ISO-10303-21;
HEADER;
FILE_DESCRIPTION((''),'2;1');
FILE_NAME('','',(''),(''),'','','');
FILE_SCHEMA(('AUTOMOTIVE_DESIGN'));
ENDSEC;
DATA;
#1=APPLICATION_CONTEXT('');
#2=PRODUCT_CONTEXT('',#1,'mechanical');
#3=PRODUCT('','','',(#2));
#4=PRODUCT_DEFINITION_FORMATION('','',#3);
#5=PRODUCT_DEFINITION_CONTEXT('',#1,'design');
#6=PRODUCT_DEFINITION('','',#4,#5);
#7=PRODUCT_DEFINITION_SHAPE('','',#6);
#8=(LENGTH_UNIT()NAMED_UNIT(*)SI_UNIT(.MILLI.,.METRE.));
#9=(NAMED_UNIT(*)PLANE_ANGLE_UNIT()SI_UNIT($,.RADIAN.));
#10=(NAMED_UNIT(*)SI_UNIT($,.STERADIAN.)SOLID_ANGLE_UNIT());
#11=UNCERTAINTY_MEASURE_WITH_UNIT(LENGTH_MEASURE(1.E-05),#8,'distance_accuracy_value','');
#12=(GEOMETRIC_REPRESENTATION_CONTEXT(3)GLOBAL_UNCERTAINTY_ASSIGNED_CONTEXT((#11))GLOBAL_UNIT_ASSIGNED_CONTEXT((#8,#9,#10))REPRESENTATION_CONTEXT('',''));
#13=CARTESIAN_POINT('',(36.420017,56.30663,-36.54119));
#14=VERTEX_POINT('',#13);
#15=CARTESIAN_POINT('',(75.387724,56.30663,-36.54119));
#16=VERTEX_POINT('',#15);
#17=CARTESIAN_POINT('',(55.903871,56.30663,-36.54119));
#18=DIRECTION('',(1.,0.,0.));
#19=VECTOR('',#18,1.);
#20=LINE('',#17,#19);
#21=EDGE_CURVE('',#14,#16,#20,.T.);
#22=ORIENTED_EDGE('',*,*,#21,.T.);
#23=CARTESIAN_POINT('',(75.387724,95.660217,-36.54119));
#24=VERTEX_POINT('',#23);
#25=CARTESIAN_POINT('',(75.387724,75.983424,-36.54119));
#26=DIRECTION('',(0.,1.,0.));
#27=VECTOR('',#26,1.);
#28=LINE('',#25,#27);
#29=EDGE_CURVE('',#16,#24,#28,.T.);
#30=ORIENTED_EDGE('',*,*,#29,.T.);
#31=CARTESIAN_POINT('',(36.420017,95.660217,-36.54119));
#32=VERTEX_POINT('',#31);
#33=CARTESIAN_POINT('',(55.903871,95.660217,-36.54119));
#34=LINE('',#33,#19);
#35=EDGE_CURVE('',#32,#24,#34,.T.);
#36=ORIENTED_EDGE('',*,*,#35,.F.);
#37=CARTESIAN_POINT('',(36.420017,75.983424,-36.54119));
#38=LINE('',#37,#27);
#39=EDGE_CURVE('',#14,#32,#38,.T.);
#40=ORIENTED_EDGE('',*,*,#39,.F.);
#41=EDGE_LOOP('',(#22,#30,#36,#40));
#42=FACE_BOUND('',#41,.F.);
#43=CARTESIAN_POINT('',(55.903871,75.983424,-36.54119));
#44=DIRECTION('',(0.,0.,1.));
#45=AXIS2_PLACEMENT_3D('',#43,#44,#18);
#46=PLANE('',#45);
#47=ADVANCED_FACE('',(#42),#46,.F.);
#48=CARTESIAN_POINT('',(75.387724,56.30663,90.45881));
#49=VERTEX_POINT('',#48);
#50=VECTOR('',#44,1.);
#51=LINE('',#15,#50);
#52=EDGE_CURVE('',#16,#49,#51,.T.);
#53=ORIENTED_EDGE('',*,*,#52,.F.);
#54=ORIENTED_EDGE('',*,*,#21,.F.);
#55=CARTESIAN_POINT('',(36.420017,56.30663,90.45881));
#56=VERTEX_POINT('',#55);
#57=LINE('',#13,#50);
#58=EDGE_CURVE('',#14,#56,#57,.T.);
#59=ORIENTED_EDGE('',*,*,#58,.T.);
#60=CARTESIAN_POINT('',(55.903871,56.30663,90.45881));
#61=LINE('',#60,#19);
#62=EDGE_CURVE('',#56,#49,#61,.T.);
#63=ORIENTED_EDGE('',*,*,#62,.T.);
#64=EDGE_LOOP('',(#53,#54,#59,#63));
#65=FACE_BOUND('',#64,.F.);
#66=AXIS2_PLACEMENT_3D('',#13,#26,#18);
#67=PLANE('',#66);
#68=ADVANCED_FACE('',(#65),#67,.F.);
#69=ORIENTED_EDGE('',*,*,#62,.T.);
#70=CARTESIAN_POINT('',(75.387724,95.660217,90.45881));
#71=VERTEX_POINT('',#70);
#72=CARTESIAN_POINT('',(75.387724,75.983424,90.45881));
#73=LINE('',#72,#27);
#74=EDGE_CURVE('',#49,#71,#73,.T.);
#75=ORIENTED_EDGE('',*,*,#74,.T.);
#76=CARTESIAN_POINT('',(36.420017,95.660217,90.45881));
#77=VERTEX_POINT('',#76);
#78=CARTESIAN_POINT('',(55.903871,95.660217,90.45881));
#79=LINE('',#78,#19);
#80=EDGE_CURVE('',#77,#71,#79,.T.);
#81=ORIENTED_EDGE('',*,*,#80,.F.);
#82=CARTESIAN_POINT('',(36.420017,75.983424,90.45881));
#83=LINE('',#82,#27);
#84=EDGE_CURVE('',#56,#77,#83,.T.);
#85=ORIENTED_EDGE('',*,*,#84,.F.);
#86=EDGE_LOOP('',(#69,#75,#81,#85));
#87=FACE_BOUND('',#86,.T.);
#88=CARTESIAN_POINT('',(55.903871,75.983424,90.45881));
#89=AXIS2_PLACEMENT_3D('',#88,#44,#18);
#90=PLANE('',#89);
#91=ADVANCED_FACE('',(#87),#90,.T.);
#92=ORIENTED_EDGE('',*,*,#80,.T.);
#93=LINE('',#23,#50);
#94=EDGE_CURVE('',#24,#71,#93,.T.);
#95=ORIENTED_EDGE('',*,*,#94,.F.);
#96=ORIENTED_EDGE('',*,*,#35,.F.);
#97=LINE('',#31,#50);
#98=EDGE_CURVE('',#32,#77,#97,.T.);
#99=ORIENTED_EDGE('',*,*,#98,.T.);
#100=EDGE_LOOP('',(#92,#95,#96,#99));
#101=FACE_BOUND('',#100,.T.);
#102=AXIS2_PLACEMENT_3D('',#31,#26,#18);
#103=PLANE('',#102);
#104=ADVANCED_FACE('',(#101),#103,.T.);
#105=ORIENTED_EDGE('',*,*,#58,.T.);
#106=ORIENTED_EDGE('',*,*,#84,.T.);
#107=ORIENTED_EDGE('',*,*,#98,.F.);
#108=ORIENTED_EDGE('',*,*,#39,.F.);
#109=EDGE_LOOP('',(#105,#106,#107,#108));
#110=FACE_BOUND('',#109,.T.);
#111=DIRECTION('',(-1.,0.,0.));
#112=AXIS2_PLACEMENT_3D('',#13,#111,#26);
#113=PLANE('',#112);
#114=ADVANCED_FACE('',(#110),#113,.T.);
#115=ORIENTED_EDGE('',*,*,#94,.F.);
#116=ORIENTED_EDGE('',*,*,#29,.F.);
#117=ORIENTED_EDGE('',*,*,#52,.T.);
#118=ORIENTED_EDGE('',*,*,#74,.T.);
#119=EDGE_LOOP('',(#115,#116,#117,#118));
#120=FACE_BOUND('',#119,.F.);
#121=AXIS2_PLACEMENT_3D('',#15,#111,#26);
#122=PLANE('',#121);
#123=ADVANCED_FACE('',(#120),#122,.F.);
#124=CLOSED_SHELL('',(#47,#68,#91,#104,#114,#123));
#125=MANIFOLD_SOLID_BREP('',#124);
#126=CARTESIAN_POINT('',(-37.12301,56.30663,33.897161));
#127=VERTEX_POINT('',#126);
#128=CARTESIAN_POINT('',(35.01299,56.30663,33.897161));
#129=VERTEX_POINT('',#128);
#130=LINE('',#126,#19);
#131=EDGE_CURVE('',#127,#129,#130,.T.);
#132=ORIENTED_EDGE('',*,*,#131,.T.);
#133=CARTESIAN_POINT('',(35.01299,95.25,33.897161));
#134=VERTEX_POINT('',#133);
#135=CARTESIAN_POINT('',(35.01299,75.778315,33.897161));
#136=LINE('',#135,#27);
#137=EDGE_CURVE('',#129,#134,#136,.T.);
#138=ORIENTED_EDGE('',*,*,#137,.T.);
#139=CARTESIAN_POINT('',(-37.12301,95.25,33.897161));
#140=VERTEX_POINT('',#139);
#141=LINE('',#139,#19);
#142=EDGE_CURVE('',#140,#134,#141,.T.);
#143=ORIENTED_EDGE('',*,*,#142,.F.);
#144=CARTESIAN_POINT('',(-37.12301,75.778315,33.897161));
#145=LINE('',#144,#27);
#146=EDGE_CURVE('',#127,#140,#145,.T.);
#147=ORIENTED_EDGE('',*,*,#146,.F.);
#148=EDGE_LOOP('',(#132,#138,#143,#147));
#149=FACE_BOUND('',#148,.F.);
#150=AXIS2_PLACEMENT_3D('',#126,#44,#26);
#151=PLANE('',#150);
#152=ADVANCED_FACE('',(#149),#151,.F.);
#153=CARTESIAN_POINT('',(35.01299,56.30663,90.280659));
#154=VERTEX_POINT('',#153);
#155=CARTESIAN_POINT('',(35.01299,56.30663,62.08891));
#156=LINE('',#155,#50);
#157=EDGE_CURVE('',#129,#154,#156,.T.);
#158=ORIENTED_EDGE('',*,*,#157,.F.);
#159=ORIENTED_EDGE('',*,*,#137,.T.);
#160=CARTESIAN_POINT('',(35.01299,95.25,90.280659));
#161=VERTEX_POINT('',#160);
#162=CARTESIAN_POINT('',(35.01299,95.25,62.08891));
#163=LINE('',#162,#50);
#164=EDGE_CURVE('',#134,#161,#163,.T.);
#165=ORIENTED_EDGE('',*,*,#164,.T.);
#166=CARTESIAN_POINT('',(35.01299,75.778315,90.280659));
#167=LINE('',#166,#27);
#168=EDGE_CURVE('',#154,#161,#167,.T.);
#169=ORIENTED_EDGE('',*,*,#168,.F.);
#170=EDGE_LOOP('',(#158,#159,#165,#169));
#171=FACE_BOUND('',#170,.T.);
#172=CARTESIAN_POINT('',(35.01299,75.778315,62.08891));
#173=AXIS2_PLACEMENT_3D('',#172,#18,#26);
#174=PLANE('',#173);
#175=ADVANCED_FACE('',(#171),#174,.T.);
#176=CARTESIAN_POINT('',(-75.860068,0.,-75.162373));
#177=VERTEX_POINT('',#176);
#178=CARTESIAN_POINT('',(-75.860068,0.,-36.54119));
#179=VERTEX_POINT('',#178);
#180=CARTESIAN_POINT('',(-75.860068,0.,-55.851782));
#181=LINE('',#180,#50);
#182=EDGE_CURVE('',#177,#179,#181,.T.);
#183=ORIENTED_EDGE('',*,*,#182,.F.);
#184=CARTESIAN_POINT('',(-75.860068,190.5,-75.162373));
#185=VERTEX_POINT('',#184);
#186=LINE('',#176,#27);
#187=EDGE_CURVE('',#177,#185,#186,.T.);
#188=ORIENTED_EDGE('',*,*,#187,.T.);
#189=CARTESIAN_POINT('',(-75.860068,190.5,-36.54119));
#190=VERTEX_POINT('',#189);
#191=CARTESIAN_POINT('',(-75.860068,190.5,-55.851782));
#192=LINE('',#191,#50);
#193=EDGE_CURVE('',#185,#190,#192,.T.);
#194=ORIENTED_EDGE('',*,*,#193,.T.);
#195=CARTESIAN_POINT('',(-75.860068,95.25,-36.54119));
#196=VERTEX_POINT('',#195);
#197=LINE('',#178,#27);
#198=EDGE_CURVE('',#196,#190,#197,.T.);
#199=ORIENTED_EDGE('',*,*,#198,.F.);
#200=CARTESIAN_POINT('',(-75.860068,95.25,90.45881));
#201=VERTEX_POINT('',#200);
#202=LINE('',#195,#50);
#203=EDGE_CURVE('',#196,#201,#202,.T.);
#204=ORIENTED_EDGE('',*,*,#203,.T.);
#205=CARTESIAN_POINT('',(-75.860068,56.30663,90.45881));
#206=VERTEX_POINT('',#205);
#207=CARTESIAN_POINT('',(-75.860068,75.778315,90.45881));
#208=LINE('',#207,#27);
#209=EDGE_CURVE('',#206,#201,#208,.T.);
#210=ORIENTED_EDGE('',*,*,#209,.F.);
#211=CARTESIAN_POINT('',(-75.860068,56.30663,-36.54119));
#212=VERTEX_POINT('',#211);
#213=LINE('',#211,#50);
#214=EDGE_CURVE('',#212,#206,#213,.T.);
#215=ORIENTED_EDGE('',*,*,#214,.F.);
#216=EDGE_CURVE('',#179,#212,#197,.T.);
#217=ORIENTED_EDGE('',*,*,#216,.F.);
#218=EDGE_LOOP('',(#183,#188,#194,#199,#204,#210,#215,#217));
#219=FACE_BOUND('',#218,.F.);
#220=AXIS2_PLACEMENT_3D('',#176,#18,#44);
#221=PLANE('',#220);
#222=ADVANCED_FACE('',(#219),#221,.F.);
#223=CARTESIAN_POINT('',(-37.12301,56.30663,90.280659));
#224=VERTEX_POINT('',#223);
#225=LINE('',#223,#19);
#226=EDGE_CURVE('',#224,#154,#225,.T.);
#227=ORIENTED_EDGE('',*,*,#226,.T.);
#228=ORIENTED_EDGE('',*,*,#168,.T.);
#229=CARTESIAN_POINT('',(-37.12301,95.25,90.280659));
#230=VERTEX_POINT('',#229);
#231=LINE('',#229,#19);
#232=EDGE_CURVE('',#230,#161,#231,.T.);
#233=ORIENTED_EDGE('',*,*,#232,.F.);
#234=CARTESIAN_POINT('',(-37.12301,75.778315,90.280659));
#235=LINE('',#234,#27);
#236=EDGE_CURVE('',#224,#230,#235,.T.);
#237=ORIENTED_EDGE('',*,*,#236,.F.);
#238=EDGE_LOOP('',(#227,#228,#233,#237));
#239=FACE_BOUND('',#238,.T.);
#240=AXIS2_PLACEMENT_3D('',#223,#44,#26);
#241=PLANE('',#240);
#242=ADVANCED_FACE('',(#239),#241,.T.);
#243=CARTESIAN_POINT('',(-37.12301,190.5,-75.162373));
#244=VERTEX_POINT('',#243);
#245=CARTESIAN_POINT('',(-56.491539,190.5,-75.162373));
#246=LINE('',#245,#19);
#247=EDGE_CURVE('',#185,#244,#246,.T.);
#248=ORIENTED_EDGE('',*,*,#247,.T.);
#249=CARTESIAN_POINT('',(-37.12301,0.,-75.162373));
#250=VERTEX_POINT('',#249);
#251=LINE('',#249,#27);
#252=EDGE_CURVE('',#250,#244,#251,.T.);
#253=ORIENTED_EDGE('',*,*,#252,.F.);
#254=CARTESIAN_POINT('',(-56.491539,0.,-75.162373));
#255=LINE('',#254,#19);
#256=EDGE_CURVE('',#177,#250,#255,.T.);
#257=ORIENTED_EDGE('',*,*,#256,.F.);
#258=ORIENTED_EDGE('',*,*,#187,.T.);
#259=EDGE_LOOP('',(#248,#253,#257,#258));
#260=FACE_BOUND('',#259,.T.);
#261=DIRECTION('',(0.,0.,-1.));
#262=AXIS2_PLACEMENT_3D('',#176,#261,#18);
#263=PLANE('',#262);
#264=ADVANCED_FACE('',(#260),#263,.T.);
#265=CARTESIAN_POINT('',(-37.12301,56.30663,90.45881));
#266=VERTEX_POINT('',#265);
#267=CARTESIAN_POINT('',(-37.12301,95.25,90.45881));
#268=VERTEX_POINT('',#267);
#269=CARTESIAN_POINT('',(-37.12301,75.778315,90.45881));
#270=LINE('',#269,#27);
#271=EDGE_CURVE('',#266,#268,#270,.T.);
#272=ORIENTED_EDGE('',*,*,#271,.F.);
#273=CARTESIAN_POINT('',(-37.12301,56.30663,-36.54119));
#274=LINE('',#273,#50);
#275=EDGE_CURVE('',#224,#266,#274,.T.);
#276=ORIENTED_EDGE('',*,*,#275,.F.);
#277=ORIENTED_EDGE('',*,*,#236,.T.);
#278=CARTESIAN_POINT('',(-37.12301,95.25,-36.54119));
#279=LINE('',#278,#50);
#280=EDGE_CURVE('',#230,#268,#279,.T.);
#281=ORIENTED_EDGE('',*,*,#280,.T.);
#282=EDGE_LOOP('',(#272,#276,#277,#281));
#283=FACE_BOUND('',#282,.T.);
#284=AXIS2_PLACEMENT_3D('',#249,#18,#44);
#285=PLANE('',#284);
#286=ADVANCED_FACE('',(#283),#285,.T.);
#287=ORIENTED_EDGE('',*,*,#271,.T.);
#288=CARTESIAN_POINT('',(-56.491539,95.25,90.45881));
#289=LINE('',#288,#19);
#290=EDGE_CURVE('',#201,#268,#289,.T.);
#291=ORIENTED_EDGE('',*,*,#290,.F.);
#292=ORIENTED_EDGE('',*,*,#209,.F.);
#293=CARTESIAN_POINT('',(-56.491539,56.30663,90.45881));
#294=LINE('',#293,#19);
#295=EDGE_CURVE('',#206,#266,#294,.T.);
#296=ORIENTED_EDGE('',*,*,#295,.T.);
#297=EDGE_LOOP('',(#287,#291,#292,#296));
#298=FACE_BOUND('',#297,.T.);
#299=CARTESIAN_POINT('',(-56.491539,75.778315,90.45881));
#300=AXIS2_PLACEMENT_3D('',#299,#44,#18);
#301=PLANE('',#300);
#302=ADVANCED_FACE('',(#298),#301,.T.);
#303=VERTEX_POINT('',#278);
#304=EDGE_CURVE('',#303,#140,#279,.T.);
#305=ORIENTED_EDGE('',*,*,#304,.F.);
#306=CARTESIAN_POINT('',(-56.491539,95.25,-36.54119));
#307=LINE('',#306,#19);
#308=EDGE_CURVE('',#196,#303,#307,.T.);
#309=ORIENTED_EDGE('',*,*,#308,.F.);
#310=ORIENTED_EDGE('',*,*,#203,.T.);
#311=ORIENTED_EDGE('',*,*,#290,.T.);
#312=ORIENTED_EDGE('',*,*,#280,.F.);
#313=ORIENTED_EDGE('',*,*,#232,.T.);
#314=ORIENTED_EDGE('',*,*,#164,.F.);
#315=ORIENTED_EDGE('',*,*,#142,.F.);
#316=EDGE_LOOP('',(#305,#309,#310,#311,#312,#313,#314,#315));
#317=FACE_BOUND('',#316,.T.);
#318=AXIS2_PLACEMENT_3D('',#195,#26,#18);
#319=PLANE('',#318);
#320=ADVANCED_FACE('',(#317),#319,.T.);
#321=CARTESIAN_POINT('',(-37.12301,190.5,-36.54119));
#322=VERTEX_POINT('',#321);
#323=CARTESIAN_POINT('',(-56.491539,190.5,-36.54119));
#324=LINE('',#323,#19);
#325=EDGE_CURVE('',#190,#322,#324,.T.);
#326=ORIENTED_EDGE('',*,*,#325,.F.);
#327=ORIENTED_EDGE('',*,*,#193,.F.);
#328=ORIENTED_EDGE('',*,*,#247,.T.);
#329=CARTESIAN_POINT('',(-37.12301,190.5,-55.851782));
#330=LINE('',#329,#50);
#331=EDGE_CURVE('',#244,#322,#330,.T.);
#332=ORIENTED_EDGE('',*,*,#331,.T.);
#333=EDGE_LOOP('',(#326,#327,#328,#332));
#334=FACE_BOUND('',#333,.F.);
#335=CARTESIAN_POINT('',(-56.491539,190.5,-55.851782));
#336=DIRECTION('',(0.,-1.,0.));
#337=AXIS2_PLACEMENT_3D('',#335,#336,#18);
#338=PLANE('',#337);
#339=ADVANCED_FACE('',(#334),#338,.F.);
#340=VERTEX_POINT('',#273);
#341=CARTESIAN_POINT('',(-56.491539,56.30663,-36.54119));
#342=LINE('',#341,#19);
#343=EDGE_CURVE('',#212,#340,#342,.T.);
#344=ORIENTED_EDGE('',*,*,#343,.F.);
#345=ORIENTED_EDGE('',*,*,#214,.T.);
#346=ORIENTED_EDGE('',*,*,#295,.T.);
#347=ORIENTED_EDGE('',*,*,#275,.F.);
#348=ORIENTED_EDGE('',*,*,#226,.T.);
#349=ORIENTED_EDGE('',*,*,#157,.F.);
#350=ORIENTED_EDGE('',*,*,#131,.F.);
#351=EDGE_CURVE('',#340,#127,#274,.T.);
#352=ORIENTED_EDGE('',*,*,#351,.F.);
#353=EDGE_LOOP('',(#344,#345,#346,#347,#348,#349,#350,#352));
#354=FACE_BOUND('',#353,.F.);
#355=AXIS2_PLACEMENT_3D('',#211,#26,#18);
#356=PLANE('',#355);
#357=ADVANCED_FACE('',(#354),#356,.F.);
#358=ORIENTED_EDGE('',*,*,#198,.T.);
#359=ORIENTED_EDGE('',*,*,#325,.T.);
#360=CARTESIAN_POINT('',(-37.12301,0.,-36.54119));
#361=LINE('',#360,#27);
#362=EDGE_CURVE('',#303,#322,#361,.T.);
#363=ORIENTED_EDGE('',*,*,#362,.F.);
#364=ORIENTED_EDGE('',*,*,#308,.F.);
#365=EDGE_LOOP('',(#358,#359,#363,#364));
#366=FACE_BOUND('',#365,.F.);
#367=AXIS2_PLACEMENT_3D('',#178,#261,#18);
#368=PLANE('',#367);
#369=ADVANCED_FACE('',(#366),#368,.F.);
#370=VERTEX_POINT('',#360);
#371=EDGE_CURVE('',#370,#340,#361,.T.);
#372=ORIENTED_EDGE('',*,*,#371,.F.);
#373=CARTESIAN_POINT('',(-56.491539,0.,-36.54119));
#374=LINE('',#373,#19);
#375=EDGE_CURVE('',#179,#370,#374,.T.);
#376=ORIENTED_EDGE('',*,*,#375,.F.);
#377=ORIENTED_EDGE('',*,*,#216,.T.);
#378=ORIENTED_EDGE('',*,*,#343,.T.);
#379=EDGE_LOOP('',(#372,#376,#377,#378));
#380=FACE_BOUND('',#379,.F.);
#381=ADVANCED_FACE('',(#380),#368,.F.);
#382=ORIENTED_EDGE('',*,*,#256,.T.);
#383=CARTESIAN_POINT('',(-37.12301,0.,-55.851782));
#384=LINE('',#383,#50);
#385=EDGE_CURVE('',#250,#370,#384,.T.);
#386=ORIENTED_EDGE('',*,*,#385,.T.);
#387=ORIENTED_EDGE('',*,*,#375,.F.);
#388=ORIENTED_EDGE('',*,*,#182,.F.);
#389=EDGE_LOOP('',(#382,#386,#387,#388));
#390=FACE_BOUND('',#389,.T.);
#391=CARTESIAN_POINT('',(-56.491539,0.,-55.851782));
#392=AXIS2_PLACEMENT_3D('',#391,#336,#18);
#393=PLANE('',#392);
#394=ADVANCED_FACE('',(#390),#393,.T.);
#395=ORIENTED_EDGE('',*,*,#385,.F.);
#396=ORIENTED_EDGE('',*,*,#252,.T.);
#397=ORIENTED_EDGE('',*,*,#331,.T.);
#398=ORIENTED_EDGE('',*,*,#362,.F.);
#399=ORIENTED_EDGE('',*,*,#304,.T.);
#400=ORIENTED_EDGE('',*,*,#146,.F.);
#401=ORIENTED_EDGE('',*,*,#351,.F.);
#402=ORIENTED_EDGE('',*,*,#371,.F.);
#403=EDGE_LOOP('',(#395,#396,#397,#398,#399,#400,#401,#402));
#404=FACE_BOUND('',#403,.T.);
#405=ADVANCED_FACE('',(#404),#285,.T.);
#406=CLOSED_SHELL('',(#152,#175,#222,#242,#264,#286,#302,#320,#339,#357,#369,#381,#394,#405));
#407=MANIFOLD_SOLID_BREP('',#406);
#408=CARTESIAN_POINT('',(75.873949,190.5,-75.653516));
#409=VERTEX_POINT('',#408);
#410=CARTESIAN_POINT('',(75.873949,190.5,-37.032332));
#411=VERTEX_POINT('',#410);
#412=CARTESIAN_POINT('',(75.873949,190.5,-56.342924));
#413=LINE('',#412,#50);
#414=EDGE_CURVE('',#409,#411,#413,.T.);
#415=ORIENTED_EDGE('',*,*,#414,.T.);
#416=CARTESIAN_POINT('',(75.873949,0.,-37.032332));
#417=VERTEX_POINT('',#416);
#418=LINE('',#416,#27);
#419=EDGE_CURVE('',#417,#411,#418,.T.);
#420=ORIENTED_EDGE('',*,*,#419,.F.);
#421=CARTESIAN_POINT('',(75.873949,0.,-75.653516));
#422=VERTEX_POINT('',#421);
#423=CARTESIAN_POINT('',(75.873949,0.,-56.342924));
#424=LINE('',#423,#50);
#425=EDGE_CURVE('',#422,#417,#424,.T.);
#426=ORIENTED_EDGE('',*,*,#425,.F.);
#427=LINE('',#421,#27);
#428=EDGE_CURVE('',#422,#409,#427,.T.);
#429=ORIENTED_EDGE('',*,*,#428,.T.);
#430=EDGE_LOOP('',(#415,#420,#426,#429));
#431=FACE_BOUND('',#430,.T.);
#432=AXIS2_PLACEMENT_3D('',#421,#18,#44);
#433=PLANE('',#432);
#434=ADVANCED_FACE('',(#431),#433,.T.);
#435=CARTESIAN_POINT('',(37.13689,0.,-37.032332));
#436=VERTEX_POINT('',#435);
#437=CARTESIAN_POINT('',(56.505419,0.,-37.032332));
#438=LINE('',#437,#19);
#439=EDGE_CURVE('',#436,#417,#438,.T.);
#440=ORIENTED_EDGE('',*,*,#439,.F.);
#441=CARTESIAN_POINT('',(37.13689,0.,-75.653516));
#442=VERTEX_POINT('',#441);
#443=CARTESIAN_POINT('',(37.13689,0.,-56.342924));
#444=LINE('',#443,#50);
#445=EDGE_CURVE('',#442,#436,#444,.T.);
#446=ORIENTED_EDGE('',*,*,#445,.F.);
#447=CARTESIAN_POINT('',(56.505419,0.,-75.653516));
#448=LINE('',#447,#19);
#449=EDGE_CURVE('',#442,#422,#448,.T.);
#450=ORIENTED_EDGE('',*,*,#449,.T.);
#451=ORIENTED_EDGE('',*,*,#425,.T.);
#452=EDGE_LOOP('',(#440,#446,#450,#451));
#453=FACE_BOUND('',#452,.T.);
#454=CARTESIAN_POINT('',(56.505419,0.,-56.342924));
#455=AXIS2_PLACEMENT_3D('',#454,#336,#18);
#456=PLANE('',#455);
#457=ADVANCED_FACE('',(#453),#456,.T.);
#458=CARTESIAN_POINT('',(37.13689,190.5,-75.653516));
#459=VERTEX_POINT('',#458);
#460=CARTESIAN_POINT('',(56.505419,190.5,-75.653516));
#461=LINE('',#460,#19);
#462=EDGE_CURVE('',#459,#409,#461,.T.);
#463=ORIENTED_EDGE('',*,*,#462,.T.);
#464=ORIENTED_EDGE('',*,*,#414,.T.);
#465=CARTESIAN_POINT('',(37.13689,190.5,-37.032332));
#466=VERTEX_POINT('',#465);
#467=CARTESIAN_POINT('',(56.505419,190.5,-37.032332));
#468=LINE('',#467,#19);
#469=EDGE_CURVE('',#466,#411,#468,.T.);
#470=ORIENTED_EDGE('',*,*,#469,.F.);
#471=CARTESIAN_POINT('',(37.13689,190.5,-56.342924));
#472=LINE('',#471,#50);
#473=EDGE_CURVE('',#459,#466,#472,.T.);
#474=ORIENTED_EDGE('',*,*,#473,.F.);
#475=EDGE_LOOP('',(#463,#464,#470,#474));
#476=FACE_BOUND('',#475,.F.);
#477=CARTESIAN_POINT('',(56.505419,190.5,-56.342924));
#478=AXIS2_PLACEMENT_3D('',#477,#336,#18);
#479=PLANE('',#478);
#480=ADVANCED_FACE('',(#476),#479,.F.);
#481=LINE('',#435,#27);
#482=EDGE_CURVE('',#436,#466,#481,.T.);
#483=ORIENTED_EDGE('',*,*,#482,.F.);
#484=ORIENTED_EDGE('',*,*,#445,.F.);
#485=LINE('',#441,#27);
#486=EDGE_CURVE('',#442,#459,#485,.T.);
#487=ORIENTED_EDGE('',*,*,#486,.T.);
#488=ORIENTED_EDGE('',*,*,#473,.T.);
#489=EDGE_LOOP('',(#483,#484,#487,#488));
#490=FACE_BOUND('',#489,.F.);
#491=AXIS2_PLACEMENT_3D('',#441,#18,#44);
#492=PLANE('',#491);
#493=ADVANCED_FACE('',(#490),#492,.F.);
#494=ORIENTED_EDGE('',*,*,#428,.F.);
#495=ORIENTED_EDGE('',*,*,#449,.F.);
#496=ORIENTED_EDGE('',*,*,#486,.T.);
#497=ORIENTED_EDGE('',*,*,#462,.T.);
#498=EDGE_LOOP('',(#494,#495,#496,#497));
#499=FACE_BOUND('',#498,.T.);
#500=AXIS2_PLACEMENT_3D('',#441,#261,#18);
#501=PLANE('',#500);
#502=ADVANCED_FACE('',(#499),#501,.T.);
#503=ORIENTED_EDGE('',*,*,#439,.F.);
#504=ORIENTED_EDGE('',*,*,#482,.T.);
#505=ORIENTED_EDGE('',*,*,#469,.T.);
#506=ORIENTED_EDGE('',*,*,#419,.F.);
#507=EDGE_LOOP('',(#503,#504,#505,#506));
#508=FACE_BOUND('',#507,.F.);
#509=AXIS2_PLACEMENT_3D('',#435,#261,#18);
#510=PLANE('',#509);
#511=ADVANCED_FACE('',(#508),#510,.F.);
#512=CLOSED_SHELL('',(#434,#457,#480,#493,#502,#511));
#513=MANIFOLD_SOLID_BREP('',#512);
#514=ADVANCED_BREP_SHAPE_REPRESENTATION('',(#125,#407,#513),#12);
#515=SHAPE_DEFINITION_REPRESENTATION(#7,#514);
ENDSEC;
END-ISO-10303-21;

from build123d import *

# Parameters (mm, degrees)
F0_W     = 38.7370586395
F0_H     = 38.6211834848
F1_DEPTH = 190.5
F2_W     = 38.7370586395
F2_H     = 38.943369627
F3_DEPTH = 127
F2_W_2   = 38.9677062631
F2_H_2   = 39.3535867333
F5_W     = 38.943369627
F5_H     = 56.383498013
F6_DEPTH = 72.136


with BuildPart() as f1:
    # F0 (on Front) → F1 (new body)
    with BuildSketch(Plane.XZ):
        with Locations((-56.4915388823, -55.8517817408)):
            Rectangle(F0_W, F0_H)
    extrude(amount=-F1_DEPTH)

    # F2 (on face) → F3 (join)
    with BuildSketch(Plane.XY.offset(-36.5411899984)):
        with Locations((-56.4915388823, 75.7783151865)):
            Rectangle(F2_W, F2_H)
    extrude(amount=F3_DEPTH)

    # F5 (on face) → F6 (join)
    with BuildSketch(Plane.YZ.offset(-37.1230095625)):
        with Locations((75.7783151865, 62.0889104903)):
            Rectangle(F5_W, F5_H)
    extrude(amount=F6_DEPTH)


with BuildPart() as f1b:
    # F0 (on Front) → F1, piece 2 (new body)
    with BuildSketch(Plane.XZ):
        with Locations((56.5054193139, -56.3429240137)):
            Rectangle(F0_W, F0_H)
    extrude(amount=-F1_DEPTH)


with BuildPart() as f3:
    # F2 (on face) → F3, piece 2 (new body)
    with BuildSketch(Plane.XY.offset(-36.5411899984)):
        with Locations((55.9038706124, 75.9834237397)):
            Rectangle(F2_W_2, F2_H_2)
    extrude(amount=F3_DEPTH)


solid = Compound([f1.part, f1b.part, f3.part])
